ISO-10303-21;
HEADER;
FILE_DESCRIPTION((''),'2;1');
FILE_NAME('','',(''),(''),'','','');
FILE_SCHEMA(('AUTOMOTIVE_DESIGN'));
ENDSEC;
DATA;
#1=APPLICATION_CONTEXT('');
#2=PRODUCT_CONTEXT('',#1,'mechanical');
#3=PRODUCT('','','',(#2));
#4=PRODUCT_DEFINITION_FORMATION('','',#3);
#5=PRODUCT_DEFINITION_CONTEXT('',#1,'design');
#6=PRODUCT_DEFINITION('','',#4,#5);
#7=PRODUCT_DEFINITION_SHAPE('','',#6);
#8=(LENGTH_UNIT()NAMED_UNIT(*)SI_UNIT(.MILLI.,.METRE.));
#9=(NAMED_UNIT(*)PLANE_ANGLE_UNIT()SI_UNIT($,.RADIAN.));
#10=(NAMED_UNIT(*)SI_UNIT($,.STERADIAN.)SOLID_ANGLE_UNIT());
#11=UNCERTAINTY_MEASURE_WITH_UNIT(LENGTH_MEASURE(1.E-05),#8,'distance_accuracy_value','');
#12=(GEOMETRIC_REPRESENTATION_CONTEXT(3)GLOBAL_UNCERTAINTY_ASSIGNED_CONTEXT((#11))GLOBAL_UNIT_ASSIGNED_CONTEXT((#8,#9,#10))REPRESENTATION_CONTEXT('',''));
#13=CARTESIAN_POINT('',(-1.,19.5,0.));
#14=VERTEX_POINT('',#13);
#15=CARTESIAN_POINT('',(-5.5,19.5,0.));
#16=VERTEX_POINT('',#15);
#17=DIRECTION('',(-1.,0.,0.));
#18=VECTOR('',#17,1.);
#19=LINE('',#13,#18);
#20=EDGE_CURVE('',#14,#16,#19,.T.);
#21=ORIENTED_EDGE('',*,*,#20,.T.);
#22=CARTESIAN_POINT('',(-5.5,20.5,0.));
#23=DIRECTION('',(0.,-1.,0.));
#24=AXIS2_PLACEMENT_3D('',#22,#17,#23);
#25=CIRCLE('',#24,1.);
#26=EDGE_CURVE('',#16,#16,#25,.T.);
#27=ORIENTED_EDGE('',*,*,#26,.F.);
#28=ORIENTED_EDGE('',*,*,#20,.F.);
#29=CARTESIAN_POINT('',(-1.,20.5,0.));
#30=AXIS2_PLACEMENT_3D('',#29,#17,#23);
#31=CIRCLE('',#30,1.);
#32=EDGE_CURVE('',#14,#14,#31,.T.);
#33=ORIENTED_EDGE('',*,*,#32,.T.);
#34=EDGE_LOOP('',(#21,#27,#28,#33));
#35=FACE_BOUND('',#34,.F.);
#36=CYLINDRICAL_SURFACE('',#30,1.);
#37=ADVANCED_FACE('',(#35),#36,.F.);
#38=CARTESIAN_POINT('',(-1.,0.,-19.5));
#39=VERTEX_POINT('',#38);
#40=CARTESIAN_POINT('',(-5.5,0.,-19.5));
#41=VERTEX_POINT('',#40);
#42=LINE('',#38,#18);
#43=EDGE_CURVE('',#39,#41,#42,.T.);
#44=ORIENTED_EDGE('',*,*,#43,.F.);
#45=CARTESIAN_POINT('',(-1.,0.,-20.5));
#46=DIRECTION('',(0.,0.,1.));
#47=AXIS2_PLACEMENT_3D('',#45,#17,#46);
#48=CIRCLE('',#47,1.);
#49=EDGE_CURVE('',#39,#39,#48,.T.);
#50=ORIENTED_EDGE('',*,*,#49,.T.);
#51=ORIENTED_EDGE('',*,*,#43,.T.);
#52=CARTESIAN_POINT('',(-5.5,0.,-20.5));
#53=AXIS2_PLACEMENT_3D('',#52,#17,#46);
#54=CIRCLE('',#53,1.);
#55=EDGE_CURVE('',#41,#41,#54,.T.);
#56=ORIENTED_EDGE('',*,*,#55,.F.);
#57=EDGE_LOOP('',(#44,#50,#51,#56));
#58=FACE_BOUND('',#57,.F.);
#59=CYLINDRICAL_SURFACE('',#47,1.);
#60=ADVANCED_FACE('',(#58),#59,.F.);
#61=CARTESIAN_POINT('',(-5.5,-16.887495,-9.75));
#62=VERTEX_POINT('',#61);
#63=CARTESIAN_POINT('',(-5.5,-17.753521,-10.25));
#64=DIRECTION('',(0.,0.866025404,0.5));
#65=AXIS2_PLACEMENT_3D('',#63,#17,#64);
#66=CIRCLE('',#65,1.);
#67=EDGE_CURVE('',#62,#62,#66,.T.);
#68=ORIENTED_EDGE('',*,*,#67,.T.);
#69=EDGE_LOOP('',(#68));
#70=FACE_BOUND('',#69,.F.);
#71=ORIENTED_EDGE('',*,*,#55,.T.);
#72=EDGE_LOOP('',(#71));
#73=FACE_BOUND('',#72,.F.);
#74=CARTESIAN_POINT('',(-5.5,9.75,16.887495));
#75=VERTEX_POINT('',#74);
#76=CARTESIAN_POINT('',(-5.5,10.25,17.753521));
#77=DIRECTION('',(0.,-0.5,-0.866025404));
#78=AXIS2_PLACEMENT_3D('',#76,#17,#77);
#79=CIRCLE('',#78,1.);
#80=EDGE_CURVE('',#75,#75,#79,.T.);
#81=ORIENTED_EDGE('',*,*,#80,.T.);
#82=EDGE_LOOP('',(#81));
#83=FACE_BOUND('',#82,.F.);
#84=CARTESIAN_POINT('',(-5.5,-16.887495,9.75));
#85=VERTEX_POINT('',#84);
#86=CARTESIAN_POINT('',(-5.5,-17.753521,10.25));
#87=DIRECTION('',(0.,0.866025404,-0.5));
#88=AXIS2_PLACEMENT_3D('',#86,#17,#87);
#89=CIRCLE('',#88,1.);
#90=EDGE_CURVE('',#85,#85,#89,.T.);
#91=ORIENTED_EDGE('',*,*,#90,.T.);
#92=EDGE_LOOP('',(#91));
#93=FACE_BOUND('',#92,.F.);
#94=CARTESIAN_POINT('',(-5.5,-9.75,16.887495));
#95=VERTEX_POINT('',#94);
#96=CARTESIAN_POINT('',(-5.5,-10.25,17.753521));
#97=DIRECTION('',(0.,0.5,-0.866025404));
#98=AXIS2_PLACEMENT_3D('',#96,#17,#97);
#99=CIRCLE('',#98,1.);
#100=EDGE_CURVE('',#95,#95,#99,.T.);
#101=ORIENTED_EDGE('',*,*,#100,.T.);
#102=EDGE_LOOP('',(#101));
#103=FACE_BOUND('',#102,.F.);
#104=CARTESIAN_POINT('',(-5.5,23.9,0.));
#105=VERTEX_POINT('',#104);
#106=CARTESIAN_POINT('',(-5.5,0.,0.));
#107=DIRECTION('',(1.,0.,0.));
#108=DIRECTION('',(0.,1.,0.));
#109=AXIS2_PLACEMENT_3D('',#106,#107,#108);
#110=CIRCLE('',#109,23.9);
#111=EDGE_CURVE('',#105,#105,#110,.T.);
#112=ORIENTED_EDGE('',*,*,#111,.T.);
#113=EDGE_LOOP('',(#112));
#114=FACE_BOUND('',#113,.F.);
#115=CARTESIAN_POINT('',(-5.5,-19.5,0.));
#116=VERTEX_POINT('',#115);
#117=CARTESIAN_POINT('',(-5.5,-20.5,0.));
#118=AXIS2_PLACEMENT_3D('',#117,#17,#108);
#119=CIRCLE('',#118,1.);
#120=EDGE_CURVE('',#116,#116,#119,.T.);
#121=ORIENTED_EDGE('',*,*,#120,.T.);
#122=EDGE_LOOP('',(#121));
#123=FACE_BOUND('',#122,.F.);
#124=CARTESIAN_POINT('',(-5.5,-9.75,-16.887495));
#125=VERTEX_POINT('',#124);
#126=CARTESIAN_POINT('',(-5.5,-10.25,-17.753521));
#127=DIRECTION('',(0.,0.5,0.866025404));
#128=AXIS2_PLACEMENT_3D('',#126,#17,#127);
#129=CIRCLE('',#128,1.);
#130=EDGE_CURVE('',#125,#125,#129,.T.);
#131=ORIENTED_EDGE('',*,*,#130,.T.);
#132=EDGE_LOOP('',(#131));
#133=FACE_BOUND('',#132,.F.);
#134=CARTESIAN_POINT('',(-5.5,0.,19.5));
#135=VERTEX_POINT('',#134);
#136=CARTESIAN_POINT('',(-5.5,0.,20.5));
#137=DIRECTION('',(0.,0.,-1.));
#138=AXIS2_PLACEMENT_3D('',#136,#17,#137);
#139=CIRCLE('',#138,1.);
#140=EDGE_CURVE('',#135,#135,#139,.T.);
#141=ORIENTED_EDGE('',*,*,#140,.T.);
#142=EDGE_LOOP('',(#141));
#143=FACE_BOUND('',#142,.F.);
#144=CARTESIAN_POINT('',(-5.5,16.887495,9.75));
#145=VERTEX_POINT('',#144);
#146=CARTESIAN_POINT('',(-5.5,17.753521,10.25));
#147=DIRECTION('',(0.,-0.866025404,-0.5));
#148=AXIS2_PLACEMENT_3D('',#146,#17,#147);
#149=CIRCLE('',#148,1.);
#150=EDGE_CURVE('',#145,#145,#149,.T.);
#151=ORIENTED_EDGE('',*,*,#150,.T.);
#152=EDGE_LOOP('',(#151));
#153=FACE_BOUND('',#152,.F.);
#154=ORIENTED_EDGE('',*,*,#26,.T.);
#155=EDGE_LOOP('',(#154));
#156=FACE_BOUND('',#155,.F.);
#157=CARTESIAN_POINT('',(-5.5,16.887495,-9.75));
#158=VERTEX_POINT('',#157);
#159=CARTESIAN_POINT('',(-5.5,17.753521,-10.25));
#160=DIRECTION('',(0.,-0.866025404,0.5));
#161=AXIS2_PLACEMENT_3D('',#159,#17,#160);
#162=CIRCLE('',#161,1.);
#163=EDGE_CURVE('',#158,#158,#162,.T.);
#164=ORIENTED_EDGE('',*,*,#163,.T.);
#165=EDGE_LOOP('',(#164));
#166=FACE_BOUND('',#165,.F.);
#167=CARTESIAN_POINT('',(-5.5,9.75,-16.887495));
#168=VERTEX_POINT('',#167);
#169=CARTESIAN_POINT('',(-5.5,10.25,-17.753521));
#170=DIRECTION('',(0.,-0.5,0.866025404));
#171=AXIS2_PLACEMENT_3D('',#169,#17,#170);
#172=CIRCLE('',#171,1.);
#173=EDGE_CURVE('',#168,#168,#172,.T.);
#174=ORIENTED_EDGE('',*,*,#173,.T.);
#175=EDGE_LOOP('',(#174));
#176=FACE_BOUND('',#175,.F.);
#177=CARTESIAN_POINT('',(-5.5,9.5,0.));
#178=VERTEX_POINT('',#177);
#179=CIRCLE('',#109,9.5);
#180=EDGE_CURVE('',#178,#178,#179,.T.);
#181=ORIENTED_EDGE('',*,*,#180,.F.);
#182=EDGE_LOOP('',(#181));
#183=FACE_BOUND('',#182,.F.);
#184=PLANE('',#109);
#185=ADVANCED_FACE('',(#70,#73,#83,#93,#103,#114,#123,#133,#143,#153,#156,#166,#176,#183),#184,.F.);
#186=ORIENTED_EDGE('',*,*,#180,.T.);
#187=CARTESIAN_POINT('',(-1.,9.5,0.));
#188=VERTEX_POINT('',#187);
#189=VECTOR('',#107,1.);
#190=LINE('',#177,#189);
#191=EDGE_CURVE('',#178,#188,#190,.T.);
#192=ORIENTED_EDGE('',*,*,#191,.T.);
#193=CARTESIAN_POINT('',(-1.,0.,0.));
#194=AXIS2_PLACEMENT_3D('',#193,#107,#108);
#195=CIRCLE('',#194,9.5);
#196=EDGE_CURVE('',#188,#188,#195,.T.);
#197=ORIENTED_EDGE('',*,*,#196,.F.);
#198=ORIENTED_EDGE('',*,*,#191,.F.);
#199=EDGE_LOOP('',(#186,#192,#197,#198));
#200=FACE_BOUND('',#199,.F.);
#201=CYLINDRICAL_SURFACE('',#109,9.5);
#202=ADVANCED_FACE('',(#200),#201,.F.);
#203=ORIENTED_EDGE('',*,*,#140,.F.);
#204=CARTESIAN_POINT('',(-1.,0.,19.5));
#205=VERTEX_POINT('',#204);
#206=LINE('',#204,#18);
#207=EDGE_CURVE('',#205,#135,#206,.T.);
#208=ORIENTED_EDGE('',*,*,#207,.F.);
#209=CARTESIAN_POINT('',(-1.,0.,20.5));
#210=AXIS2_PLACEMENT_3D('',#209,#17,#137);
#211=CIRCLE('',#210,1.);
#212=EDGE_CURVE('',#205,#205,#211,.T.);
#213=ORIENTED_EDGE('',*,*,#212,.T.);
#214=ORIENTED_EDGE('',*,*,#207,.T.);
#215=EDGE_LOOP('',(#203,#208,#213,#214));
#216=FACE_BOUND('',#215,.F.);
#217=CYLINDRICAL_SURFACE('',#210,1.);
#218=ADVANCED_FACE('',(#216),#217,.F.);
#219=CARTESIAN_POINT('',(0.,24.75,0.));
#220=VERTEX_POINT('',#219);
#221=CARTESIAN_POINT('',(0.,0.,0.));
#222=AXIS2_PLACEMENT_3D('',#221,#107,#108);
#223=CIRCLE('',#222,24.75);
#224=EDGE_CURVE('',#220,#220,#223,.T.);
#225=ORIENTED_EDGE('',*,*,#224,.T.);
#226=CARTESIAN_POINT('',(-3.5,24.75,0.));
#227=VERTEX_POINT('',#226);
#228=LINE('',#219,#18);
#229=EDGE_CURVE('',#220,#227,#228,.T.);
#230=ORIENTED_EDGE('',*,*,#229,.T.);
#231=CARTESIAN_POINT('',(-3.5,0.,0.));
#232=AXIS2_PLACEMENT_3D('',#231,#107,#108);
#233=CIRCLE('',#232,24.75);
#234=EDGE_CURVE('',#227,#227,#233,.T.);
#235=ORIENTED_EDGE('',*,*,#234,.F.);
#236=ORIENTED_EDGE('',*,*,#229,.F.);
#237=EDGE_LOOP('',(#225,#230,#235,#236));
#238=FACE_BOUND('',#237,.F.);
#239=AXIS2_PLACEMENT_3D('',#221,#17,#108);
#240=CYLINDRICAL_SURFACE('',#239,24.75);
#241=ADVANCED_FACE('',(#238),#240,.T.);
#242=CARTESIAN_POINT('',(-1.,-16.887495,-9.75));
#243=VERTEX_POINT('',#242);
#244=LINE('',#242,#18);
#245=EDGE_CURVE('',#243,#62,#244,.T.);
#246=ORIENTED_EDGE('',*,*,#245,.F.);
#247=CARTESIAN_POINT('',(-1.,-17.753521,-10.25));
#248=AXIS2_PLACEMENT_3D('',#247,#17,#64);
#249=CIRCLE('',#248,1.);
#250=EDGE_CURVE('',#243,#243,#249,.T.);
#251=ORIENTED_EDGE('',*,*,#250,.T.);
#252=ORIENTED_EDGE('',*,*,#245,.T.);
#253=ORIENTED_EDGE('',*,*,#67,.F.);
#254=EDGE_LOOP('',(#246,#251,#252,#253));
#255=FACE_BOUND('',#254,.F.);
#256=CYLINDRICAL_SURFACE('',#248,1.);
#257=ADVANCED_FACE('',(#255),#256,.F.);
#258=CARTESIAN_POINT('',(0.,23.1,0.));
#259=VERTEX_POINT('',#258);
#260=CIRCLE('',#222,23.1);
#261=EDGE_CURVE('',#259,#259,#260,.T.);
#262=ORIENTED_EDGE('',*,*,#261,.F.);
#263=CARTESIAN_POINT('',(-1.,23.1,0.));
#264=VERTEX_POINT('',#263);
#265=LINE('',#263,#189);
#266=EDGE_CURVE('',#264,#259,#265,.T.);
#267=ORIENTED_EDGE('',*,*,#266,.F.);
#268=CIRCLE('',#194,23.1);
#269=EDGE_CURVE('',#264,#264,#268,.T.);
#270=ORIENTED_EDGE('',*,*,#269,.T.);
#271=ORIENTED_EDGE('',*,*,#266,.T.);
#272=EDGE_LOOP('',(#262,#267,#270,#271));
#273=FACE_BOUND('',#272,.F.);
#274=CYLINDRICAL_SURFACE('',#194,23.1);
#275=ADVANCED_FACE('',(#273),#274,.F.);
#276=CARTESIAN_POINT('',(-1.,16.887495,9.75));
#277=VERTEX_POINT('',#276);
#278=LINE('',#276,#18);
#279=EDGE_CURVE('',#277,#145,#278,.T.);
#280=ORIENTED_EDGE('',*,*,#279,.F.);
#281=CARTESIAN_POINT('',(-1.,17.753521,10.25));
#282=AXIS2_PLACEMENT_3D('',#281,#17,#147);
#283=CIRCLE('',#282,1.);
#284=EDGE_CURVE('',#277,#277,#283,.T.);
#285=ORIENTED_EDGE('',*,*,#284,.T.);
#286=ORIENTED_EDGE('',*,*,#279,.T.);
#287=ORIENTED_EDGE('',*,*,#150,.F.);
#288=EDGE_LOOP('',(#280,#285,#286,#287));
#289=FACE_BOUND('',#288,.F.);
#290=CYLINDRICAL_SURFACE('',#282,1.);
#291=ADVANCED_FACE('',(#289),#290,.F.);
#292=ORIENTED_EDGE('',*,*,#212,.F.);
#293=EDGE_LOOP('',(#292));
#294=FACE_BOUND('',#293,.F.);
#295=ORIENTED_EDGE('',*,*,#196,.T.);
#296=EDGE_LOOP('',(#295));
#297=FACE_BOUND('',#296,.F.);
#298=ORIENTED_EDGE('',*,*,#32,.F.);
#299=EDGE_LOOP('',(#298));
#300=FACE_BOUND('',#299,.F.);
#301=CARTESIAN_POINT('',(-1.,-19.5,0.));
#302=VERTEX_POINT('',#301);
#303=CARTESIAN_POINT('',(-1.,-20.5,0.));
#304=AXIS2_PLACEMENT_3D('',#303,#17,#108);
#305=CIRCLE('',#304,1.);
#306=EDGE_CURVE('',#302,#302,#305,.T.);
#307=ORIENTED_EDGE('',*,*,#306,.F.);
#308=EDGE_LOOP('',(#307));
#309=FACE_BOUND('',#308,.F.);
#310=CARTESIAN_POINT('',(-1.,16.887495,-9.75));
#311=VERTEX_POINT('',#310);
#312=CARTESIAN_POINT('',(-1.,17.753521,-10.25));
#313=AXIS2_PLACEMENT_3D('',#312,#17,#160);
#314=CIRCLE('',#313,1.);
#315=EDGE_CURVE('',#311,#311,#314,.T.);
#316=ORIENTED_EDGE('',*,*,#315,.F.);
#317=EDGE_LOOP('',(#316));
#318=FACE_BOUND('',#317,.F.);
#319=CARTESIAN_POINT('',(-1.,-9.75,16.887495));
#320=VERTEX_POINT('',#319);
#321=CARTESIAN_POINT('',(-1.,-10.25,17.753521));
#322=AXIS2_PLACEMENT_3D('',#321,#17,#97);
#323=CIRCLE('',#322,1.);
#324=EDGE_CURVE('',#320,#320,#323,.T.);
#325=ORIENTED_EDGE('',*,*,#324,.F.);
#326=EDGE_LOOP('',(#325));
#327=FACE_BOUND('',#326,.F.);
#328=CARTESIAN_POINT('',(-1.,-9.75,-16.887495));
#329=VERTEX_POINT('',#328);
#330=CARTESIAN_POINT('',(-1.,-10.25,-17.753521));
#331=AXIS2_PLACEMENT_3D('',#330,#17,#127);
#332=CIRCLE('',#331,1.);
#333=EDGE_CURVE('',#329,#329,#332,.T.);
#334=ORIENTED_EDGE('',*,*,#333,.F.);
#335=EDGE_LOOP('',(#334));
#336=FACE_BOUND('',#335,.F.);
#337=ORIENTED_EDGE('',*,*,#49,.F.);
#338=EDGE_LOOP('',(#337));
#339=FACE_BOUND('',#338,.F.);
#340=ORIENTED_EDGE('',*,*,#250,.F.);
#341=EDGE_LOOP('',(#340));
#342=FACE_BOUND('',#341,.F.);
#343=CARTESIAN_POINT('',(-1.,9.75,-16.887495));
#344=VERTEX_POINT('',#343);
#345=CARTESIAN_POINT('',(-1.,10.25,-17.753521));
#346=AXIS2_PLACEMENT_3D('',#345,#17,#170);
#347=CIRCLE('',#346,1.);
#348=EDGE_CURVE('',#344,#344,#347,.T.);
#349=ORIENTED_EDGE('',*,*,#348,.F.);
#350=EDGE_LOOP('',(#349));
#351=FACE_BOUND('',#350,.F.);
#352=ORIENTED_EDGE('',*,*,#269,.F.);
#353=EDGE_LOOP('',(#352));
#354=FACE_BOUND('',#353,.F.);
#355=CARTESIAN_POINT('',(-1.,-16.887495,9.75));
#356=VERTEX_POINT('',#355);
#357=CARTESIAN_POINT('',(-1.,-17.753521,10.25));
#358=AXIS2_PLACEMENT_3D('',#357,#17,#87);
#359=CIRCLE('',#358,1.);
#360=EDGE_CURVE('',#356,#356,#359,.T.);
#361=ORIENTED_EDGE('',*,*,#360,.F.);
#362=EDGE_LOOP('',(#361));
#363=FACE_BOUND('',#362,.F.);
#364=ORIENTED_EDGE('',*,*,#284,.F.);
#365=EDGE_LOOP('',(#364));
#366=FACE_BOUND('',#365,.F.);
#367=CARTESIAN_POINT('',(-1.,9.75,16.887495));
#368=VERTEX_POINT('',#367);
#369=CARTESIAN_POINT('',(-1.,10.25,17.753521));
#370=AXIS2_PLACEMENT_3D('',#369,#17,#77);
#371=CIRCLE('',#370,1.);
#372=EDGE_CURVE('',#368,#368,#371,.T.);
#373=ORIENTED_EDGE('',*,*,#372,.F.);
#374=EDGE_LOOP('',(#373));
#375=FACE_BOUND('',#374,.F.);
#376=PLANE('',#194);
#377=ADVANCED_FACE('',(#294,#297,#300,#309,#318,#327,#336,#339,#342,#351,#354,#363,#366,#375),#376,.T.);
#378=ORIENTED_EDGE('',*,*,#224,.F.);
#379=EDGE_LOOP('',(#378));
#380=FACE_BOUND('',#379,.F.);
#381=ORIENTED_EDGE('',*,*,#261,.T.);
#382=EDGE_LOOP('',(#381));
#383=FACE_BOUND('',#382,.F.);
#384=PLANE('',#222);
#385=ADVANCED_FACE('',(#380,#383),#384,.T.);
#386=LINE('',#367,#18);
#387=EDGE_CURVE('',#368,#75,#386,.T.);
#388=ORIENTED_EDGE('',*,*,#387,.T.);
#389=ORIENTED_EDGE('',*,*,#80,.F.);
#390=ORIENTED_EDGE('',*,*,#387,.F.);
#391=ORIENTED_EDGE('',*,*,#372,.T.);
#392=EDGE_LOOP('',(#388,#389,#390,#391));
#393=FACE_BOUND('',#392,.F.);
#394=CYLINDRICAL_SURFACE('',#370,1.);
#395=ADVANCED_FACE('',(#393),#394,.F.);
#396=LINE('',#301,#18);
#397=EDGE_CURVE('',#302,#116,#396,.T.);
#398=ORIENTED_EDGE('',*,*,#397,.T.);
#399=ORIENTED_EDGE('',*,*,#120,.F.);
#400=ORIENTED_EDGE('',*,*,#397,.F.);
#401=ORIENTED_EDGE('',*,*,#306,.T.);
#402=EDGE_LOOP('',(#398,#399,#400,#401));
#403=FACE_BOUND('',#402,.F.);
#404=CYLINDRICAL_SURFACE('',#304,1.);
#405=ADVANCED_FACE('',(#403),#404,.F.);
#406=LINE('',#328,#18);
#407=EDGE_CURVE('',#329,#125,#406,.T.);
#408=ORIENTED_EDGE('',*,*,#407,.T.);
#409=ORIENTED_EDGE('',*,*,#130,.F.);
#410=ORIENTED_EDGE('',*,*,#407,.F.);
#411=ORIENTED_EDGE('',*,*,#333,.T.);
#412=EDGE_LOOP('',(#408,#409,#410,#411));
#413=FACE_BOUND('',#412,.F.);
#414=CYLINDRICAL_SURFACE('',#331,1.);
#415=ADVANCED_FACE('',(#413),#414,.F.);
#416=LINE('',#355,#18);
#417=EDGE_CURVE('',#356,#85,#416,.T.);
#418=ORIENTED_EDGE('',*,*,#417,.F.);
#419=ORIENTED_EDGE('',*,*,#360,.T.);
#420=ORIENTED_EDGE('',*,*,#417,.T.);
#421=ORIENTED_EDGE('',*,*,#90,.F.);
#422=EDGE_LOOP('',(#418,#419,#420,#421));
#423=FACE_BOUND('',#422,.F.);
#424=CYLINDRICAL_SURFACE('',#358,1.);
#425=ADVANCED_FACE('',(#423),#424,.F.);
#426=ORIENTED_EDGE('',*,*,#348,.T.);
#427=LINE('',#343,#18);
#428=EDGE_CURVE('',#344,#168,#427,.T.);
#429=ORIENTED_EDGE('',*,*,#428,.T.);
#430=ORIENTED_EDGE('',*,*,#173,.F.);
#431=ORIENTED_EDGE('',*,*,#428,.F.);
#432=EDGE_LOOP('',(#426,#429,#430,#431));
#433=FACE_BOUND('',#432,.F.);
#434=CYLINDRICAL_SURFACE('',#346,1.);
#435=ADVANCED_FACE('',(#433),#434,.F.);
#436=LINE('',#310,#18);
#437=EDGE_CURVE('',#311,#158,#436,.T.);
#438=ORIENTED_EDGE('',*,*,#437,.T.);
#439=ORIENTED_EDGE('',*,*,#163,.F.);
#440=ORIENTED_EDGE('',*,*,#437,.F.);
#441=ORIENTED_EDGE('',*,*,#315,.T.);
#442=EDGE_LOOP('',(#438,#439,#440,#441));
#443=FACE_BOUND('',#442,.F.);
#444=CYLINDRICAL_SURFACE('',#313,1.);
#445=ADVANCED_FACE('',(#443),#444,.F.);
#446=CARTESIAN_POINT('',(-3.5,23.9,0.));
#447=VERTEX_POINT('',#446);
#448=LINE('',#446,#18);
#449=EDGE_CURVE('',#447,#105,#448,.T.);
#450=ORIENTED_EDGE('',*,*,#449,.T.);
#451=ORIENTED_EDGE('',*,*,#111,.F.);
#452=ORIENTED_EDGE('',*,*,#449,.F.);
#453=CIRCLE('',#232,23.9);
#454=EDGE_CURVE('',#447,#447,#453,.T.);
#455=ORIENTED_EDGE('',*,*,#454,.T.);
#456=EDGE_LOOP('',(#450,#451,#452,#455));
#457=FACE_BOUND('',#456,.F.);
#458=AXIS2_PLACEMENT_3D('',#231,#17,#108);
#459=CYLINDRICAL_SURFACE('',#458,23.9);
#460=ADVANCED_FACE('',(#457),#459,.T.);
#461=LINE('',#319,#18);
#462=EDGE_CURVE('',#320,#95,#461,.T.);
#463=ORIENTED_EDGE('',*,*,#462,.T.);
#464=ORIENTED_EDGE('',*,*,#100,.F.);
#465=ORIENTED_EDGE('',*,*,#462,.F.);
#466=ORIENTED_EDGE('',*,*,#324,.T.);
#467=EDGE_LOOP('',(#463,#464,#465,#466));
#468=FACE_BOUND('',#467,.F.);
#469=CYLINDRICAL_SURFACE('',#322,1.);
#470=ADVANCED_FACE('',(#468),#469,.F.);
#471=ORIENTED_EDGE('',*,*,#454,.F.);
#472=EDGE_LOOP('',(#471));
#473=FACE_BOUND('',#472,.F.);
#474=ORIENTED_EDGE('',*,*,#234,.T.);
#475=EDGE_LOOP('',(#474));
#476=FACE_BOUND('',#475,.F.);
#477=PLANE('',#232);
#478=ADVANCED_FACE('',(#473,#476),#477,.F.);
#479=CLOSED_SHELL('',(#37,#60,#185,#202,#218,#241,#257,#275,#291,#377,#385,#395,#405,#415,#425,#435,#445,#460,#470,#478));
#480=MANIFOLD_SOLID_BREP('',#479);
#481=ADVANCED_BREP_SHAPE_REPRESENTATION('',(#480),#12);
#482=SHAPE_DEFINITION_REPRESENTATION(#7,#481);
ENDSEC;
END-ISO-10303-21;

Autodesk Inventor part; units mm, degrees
ref_plane "YZ Plane" through (0, 0, 0) normal (1, 0, 0) x (0, 1, 0)
ref_plane "XZ Plane" through (0, 0, 0) normal (0, 1, 0) x (-1, 0, 0)
ref_plane "XY Plane" through (0, 0, 0) normal (0, 0, 1) x (1, 0, 0)
sketch "Sketch1" plane through (0, 0, 0) normal (0, 0, 1) x (1, 0, 0)
  line L0 (-6.6, 0) -> (1.1, 0) construction
  line L1 (0, -4.95) -> (0, 29.7) construction
  line L2 (-1, 9.5) -> (-1, 23.1)
  line L3 (-1, 23.1) -> (0, 23.1)
  line L4 (0, 23.1) -> (0, 24.75)
  line L5 (0, 24.75) -> (-3.5, 24.75)
  line L6 (-3.5, 24.75) -> (-3.5, 23.9)
  line L7 (-3.5, 23.9) -> (-5.5, 23.9)
  line L8 (-5.5, 23.9) -> (-5.5, 9.5)
  line L9 (-5.5, 9.5) -> (-1, 9.5)
  point P0 (0, 0)
  dimension "d0" = 49.5
  dimension "d1" = 47.8
  dimension "d2" = 19
  dimension "d3" = 2
  dimension "d4" = 1
  dimension "d5" = 5.5
  dimension "d6" = 46.2
revolve "Revolution1" add sketch "Sketch1" angle 360 about axis through (-10, 0, 0) along (1, 0, 0)
sketch "Sketch2" plane through (-1, 0, 0) normal (1, 0, 0) x (0, 0, -1)
  line L0 (0, -34.65) -> (0, 34.65) projected
  line L1 (34.65, 0) -> (-34.65, 0) projected
  point P0 (0, 0)
  point P1 (-20.5, 0)
  dimension "d8" = 20.5
hole "Hole1" at (-1, 0, 20.5) direction (-1, 0, 0) diameter 2 end through all
pattern_circular "Circular Pattern1" count 12 over 360 about axis through (-10, 0, 0) along (1, 0, 0) of "Hole1"
thread "Thread1" size "M20x1" class "6H" standard "ISO Metric profile" full length
properties part number "P302Base" material "ABS Plastic"
